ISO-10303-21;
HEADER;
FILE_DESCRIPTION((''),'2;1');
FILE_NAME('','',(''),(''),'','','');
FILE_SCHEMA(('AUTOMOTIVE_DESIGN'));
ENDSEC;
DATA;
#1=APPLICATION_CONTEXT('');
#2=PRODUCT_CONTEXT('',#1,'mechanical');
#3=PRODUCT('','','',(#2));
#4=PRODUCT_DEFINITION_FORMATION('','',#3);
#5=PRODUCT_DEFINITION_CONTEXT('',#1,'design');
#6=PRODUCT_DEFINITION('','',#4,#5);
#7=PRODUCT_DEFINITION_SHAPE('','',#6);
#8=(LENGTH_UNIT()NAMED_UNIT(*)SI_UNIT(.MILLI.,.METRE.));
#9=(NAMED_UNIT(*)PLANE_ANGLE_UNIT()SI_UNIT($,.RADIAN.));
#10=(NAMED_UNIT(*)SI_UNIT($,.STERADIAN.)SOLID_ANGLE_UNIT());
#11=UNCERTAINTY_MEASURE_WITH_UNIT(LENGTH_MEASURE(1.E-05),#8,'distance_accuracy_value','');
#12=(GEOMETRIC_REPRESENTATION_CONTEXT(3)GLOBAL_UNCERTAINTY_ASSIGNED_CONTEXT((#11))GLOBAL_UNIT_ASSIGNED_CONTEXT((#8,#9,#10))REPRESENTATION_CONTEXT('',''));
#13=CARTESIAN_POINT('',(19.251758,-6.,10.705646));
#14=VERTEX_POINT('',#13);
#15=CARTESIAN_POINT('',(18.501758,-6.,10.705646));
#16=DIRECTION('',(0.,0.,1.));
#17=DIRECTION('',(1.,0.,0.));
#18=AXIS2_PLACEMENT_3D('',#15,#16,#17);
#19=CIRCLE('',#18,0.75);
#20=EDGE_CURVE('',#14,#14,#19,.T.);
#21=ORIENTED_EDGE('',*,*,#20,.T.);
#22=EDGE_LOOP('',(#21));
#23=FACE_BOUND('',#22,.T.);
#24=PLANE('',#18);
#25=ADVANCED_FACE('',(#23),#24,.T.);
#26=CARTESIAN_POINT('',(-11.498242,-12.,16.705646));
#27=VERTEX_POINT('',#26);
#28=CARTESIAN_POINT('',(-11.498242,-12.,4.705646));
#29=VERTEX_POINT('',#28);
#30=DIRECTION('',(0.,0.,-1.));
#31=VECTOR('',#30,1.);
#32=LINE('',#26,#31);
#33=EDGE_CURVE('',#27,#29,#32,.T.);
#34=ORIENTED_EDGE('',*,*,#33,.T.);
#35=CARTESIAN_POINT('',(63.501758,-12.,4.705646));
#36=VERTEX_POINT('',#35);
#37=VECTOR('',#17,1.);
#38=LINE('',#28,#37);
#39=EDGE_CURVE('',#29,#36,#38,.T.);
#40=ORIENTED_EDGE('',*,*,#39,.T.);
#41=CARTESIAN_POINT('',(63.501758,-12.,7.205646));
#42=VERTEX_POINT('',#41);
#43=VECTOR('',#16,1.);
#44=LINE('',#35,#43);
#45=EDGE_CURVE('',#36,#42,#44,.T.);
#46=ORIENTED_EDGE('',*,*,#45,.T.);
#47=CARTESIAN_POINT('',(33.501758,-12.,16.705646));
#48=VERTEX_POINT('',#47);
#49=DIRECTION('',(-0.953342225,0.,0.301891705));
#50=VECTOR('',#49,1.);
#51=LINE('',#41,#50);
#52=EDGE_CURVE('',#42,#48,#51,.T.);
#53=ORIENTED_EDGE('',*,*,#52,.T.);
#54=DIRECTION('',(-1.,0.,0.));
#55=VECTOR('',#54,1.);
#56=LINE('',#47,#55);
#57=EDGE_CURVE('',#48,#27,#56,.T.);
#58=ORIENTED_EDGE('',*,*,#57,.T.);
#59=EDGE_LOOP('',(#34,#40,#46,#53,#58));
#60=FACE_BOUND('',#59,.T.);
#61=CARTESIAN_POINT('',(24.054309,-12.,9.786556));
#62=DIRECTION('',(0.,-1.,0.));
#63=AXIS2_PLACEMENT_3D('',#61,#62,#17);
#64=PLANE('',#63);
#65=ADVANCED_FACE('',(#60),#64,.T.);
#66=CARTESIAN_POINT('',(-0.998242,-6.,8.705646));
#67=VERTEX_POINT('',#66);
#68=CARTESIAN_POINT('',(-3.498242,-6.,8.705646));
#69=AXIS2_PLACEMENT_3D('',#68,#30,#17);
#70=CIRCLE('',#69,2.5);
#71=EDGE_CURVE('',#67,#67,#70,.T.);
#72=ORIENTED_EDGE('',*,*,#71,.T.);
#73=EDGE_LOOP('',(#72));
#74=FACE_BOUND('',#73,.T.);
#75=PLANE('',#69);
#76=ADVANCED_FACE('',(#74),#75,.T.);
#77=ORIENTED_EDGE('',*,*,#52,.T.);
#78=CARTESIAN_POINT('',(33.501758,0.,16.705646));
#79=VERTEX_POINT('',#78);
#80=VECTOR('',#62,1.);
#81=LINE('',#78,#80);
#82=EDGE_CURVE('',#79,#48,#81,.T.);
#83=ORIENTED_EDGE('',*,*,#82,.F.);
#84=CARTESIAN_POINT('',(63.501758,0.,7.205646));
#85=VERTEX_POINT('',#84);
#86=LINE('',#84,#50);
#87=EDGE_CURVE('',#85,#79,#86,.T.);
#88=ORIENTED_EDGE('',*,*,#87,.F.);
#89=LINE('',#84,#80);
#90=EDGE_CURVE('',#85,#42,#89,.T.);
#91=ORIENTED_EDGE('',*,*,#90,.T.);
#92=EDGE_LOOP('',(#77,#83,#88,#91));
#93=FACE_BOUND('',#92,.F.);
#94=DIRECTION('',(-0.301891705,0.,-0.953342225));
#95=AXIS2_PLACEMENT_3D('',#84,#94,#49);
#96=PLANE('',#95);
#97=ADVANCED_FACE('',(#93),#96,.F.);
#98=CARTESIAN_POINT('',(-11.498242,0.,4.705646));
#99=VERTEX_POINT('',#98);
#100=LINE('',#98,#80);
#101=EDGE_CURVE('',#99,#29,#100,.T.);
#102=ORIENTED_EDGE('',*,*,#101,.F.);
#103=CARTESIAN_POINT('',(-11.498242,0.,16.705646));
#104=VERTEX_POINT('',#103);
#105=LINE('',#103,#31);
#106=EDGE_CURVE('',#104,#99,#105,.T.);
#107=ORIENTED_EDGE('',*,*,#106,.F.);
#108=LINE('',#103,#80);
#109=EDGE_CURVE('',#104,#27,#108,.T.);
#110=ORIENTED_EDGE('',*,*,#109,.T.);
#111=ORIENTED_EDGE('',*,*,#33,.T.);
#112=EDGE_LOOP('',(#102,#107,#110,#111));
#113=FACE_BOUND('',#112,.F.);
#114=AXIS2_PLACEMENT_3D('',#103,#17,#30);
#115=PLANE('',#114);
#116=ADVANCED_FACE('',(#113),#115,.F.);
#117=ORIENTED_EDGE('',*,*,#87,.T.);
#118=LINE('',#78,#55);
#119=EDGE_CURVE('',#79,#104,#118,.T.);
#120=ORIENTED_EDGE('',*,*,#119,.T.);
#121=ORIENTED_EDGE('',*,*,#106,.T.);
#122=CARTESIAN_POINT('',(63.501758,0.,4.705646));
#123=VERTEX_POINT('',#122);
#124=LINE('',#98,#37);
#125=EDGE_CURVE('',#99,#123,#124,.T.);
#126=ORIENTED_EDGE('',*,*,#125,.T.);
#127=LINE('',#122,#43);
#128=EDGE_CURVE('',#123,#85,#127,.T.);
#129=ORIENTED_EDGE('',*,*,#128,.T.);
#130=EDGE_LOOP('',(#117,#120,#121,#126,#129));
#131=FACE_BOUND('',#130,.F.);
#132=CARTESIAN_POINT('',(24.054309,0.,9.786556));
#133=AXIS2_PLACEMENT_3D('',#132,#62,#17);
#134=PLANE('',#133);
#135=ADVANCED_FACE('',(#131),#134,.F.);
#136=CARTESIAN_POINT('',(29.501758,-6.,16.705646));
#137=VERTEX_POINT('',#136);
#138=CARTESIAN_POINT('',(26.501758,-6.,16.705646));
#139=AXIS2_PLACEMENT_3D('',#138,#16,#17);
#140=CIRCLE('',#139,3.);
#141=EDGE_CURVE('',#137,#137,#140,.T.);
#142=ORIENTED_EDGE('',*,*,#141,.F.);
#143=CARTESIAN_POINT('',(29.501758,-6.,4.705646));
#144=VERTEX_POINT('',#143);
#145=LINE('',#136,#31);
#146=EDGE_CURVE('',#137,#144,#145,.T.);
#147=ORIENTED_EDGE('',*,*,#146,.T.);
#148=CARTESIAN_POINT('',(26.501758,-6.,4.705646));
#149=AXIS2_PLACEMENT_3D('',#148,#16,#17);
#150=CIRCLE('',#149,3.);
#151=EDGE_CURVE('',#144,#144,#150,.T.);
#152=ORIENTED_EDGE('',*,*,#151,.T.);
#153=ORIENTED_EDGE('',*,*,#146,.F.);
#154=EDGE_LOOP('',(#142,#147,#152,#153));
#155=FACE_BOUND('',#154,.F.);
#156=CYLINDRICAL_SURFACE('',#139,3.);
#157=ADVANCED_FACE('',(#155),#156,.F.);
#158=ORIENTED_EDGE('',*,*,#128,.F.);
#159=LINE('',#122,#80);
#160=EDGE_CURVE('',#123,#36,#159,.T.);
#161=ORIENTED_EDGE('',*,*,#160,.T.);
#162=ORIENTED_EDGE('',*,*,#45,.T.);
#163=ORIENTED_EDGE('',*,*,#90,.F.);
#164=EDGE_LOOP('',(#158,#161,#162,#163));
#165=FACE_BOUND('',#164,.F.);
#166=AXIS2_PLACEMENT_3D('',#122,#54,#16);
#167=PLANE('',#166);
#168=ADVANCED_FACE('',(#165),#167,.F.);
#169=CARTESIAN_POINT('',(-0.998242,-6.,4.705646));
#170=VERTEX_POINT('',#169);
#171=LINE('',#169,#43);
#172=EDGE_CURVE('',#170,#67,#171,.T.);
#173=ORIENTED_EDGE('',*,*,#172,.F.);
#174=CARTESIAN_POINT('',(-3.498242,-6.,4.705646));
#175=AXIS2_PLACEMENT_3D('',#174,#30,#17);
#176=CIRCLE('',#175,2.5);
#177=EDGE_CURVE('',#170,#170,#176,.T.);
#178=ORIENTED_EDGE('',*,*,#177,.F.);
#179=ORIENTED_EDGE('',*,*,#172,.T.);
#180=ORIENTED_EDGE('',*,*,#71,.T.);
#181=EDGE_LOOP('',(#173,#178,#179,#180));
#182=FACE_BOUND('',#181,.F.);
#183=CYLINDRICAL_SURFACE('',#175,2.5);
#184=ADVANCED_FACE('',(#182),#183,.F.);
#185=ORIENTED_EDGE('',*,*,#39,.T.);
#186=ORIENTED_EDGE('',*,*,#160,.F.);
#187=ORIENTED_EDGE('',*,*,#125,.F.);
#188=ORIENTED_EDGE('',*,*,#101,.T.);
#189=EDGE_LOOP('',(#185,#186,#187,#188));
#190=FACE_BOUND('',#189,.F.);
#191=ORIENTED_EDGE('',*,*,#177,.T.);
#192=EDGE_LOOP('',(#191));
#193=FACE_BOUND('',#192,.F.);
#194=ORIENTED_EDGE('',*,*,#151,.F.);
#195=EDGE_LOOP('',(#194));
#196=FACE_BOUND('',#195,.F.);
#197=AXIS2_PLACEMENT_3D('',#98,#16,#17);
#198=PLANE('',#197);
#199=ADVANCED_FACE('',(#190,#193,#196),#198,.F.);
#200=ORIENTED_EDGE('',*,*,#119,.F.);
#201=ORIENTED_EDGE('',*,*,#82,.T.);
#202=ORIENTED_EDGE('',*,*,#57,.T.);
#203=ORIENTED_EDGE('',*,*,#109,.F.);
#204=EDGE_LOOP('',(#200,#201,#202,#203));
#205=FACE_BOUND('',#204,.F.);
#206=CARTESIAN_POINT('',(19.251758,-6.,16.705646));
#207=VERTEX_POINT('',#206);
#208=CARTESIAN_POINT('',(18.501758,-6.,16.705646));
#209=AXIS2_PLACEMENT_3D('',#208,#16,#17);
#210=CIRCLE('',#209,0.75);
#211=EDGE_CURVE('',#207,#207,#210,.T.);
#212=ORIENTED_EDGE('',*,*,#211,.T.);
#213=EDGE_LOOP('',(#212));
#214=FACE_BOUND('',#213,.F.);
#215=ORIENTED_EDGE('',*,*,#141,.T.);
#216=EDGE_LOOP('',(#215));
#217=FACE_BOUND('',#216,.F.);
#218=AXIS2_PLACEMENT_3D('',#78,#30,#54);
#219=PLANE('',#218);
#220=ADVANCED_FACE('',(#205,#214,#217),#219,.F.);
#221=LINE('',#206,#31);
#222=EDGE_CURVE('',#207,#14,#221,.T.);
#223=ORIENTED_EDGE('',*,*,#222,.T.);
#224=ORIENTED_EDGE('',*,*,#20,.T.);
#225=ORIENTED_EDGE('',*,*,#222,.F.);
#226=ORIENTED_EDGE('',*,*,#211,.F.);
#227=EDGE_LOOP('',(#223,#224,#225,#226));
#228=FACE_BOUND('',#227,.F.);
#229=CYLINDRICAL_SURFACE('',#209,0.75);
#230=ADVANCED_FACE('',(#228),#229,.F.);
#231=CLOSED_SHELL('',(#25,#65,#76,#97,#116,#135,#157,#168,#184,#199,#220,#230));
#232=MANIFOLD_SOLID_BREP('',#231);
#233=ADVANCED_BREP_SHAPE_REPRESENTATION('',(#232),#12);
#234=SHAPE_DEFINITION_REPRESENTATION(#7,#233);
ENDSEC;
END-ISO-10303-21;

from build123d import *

# Parameters (mm, degrees)
F1_DEPTH = 12
F2_R     = 3
F3_DEPTH = 25
F4_R     = 0.75
F5_DEPTH = 6
F6_R     = 2.5
F7_DEPTH = 4


with BuildPart() as f1:
    # F0 (on Front) → F1 (new body)
    with BuildSketch(Plane.XZ):
        Polygon((33.501758, 16.705646), (-11.498242, 16.705646), (-11.498242, 4.705646), (63.501758, 4.705646), (63.501758, 7.205646), align=None)
    extrude(amount=F1_DEPTH)

    # F2 (on face) → F3 (cut)
    with BuildSketch(Plane.XY.offset(16.705646)):
        with Locations((26.501758, -6)):
            Circle(F2_R)
    extrude(amount=-F3_DEPTH, mode=Mode.SUBTRACT)

    # F4 (on face) → F5 (cut)
    with BuildSketch(Plane.XY.offset(16.705646)):
        with Locations((18.501758, -6)):
            Circle(F4_R)
    extrude(amount=-F5_DEPTH, mode=Mode.SUBTRACT)

    # F6 (on face) → F7 (cut)
    with BuildSketch(Plane(origin=(0, 0, 4.705646), x_dir=(1, 0, 0), z_dir=(0, 0, -1))):
        with Locations((-3.498242, 6)):
            Circle(F6_R)
    extrude(amount=-F7_DEPTH, mode=Mode.SUBTRACT)


solid = f1.part
